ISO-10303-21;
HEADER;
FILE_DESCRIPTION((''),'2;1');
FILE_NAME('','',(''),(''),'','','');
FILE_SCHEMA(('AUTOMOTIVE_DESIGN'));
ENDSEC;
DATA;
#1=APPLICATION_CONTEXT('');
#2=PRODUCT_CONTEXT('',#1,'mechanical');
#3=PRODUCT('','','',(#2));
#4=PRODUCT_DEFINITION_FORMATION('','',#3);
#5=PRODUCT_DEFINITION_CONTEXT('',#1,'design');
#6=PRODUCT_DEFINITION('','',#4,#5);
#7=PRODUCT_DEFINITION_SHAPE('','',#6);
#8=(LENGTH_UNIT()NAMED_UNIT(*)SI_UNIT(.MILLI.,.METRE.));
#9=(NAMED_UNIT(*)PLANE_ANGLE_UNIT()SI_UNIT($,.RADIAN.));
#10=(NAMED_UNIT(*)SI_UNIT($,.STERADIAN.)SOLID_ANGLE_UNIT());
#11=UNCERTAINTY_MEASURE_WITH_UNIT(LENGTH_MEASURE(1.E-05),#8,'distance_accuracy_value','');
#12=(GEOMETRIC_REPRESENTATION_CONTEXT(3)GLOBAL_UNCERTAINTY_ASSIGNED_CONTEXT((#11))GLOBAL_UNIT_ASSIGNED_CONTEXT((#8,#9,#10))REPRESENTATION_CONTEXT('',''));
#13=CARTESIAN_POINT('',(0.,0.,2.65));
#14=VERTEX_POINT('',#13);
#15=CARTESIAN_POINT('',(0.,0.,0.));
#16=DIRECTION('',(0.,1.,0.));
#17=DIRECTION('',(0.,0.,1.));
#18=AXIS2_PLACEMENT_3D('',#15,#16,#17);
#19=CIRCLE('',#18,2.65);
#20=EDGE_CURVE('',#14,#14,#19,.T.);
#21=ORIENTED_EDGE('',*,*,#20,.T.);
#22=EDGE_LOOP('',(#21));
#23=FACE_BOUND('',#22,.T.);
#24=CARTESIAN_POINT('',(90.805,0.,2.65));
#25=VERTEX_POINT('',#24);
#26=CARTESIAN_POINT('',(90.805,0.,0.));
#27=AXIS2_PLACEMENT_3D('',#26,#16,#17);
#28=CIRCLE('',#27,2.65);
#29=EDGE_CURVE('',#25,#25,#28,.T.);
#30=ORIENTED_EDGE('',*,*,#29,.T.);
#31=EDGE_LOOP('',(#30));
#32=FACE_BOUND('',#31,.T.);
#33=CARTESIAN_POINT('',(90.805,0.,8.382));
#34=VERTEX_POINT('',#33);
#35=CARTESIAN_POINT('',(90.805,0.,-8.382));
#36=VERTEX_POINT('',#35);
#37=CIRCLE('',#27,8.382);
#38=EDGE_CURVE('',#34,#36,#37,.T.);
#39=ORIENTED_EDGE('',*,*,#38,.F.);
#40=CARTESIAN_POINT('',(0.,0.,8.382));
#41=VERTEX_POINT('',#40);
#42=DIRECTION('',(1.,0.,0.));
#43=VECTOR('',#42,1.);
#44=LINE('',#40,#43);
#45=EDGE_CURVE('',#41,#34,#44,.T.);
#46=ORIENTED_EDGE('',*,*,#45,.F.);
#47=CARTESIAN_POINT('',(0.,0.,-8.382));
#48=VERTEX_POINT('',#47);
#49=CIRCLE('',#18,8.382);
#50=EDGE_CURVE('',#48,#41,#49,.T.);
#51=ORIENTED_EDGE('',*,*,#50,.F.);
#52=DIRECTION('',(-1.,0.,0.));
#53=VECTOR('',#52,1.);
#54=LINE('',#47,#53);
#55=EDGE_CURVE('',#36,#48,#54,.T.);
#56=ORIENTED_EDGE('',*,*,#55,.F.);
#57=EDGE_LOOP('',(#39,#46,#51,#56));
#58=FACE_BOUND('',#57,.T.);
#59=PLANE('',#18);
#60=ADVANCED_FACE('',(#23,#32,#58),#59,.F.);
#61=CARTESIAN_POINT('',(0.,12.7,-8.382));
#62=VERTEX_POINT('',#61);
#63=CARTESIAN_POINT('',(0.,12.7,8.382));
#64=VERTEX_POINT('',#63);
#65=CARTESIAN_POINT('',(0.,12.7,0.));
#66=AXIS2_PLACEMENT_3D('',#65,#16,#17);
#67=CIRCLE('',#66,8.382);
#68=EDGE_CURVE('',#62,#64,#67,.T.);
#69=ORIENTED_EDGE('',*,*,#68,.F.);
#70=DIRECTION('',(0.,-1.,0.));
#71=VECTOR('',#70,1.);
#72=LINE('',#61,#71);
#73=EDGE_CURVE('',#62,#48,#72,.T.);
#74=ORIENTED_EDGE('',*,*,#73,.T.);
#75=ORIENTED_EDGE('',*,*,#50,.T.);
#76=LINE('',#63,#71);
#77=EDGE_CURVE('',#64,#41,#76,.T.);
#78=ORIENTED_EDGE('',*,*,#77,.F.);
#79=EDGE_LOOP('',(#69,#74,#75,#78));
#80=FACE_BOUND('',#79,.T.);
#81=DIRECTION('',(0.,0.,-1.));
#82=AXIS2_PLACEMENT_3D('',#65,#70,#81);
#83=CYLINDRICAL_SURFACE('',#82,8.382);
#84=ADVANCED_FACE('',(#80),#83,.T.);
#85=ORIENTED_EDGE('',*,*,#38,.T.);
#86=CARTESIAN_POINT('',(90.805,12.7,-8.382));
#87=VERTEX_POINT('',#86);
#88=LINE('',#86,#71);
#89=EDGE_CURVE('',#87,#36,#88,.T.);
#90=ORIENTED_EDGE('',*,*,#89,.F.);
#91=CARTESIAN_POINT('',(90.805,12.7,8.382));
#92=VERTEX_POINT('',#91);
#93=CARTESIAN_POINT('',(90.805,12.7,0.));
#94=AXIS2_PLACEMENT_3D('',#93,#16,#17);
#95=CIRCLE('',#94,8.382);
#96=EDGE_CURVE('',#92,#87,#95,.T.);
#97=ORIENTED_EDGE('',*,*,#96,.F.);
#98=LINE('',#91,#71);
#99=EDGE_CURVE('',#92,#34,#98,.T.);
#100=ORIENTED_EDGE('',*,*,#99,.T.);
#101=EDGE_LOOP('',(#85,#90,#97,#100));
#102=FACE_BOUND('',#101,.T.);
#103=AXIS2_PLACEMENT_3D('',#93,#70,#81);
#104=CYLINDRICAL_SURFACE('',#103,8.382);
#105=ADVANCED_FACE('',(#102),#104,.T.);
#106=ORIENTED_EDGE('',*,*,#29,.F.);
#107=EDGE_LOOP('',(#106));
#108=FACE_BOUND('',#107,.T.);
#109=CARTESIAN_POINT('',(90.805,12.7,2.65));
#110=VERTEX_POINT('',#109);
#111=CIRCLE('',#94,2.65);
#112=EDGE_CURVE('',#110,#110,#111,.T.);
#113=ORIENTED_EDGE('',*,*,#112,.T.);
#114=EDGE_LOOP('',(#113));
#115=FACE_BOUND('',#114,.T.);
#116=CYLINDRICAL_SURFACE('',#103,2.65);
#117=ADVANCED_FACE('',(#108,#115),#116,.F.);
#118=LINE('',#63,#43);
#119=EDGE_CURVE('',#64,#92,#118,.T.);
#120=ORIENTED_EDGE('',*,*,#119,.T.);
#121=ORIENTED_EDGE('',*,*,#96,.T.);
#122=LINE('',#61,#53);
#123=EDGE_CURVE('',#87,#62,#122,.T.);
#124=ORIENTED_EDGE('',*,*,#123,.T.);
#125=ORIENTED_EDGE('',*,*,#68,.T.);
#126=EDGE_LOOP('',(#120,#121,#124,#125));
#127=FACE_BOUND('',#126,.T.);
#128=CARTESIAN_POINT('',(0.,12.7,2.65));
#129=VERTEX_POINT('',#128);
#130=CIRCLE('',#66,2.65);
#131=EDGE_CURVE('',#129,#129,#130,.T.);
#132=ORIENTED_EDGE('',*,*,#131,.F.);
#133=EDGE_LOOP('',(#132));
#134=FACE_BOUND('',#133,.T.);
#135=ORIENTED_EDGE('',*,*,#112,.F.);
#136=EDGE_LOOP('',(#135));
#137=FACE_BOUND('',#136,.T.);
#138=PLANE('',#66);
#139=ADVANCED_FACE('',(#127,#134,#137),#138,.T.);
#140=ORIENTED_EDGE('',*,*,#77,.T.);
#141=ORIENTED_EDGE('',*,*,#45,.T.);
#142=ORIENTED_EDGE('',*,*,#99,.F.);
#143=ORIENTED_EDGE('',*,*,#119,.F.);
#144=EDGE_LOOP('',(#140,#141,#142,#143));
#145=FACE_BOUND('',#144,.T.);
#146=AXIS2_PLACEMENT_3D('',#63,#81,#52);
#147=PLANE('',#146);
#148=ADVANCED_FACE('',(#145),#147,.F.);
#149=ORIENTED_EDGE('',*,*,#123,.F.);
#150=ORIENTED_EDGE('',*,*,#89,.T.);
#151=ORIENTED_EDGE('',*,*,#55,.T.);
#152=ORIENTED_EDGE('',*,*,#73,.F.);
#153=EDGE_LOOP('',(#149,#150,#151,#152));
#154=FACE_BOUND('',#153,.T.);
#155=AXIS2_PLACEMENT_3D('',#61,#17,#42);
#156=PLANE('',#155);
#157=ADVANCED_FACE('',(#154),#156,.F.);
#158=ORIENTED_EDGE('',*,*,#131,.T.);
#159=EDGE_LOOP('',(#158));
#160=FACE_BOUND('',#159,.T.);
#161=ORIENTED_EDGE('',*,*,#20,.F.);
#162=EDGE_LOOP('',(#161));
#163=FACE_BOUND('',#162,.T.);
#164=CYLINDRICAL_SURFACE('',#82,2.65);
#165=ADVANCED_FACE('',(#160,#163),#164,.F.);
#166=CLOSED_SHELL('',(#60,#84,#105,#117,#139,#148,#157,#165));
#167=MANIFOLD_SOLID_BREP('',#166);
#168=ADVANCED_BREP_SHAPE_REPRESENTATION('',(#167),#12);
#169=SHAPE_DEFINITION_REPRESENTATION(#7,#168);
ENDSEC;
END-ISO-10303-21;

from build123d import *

# Parameters (mm, degrees)
SKETCH1_R           = 2.65
BOSS_EXTRUDE1_DEPTH = 12.7


with BuildPart() as part:
    # Sketch1 → Boss-Extrude1 (new body)
    with BuildSketch(Plane(origin=(0, 0, 0), x_dir=(1, 0, 0), z_dir=(0, 1, 0))):
        with BuildLine():
            Line((0, 8.382), (90.805, 8.382))
            ThreePointArc((90.805, 8.382), (99.187, 0), (90.805, -8.382))
            Line((90.805, -8.382), (0, -8.382))
            ThreePointArc((0, -8.382), (-8.382, 0), (0, 8.382))
        make_face()
        with Locations(Location((0, 0, 0), (0, 0, 270))):
            Circle(SKETCH1_R, mode=Mode.SUBTRACT)
        with Locations(Location((90.805, 0, 0), (0, 0, 270))):
            Circle(SKETCH1_R, mode=Mode.SUBTRACT)
    extrude(amount=BOSS_EXTRUDE1_DEPTH)


solid = part.part
